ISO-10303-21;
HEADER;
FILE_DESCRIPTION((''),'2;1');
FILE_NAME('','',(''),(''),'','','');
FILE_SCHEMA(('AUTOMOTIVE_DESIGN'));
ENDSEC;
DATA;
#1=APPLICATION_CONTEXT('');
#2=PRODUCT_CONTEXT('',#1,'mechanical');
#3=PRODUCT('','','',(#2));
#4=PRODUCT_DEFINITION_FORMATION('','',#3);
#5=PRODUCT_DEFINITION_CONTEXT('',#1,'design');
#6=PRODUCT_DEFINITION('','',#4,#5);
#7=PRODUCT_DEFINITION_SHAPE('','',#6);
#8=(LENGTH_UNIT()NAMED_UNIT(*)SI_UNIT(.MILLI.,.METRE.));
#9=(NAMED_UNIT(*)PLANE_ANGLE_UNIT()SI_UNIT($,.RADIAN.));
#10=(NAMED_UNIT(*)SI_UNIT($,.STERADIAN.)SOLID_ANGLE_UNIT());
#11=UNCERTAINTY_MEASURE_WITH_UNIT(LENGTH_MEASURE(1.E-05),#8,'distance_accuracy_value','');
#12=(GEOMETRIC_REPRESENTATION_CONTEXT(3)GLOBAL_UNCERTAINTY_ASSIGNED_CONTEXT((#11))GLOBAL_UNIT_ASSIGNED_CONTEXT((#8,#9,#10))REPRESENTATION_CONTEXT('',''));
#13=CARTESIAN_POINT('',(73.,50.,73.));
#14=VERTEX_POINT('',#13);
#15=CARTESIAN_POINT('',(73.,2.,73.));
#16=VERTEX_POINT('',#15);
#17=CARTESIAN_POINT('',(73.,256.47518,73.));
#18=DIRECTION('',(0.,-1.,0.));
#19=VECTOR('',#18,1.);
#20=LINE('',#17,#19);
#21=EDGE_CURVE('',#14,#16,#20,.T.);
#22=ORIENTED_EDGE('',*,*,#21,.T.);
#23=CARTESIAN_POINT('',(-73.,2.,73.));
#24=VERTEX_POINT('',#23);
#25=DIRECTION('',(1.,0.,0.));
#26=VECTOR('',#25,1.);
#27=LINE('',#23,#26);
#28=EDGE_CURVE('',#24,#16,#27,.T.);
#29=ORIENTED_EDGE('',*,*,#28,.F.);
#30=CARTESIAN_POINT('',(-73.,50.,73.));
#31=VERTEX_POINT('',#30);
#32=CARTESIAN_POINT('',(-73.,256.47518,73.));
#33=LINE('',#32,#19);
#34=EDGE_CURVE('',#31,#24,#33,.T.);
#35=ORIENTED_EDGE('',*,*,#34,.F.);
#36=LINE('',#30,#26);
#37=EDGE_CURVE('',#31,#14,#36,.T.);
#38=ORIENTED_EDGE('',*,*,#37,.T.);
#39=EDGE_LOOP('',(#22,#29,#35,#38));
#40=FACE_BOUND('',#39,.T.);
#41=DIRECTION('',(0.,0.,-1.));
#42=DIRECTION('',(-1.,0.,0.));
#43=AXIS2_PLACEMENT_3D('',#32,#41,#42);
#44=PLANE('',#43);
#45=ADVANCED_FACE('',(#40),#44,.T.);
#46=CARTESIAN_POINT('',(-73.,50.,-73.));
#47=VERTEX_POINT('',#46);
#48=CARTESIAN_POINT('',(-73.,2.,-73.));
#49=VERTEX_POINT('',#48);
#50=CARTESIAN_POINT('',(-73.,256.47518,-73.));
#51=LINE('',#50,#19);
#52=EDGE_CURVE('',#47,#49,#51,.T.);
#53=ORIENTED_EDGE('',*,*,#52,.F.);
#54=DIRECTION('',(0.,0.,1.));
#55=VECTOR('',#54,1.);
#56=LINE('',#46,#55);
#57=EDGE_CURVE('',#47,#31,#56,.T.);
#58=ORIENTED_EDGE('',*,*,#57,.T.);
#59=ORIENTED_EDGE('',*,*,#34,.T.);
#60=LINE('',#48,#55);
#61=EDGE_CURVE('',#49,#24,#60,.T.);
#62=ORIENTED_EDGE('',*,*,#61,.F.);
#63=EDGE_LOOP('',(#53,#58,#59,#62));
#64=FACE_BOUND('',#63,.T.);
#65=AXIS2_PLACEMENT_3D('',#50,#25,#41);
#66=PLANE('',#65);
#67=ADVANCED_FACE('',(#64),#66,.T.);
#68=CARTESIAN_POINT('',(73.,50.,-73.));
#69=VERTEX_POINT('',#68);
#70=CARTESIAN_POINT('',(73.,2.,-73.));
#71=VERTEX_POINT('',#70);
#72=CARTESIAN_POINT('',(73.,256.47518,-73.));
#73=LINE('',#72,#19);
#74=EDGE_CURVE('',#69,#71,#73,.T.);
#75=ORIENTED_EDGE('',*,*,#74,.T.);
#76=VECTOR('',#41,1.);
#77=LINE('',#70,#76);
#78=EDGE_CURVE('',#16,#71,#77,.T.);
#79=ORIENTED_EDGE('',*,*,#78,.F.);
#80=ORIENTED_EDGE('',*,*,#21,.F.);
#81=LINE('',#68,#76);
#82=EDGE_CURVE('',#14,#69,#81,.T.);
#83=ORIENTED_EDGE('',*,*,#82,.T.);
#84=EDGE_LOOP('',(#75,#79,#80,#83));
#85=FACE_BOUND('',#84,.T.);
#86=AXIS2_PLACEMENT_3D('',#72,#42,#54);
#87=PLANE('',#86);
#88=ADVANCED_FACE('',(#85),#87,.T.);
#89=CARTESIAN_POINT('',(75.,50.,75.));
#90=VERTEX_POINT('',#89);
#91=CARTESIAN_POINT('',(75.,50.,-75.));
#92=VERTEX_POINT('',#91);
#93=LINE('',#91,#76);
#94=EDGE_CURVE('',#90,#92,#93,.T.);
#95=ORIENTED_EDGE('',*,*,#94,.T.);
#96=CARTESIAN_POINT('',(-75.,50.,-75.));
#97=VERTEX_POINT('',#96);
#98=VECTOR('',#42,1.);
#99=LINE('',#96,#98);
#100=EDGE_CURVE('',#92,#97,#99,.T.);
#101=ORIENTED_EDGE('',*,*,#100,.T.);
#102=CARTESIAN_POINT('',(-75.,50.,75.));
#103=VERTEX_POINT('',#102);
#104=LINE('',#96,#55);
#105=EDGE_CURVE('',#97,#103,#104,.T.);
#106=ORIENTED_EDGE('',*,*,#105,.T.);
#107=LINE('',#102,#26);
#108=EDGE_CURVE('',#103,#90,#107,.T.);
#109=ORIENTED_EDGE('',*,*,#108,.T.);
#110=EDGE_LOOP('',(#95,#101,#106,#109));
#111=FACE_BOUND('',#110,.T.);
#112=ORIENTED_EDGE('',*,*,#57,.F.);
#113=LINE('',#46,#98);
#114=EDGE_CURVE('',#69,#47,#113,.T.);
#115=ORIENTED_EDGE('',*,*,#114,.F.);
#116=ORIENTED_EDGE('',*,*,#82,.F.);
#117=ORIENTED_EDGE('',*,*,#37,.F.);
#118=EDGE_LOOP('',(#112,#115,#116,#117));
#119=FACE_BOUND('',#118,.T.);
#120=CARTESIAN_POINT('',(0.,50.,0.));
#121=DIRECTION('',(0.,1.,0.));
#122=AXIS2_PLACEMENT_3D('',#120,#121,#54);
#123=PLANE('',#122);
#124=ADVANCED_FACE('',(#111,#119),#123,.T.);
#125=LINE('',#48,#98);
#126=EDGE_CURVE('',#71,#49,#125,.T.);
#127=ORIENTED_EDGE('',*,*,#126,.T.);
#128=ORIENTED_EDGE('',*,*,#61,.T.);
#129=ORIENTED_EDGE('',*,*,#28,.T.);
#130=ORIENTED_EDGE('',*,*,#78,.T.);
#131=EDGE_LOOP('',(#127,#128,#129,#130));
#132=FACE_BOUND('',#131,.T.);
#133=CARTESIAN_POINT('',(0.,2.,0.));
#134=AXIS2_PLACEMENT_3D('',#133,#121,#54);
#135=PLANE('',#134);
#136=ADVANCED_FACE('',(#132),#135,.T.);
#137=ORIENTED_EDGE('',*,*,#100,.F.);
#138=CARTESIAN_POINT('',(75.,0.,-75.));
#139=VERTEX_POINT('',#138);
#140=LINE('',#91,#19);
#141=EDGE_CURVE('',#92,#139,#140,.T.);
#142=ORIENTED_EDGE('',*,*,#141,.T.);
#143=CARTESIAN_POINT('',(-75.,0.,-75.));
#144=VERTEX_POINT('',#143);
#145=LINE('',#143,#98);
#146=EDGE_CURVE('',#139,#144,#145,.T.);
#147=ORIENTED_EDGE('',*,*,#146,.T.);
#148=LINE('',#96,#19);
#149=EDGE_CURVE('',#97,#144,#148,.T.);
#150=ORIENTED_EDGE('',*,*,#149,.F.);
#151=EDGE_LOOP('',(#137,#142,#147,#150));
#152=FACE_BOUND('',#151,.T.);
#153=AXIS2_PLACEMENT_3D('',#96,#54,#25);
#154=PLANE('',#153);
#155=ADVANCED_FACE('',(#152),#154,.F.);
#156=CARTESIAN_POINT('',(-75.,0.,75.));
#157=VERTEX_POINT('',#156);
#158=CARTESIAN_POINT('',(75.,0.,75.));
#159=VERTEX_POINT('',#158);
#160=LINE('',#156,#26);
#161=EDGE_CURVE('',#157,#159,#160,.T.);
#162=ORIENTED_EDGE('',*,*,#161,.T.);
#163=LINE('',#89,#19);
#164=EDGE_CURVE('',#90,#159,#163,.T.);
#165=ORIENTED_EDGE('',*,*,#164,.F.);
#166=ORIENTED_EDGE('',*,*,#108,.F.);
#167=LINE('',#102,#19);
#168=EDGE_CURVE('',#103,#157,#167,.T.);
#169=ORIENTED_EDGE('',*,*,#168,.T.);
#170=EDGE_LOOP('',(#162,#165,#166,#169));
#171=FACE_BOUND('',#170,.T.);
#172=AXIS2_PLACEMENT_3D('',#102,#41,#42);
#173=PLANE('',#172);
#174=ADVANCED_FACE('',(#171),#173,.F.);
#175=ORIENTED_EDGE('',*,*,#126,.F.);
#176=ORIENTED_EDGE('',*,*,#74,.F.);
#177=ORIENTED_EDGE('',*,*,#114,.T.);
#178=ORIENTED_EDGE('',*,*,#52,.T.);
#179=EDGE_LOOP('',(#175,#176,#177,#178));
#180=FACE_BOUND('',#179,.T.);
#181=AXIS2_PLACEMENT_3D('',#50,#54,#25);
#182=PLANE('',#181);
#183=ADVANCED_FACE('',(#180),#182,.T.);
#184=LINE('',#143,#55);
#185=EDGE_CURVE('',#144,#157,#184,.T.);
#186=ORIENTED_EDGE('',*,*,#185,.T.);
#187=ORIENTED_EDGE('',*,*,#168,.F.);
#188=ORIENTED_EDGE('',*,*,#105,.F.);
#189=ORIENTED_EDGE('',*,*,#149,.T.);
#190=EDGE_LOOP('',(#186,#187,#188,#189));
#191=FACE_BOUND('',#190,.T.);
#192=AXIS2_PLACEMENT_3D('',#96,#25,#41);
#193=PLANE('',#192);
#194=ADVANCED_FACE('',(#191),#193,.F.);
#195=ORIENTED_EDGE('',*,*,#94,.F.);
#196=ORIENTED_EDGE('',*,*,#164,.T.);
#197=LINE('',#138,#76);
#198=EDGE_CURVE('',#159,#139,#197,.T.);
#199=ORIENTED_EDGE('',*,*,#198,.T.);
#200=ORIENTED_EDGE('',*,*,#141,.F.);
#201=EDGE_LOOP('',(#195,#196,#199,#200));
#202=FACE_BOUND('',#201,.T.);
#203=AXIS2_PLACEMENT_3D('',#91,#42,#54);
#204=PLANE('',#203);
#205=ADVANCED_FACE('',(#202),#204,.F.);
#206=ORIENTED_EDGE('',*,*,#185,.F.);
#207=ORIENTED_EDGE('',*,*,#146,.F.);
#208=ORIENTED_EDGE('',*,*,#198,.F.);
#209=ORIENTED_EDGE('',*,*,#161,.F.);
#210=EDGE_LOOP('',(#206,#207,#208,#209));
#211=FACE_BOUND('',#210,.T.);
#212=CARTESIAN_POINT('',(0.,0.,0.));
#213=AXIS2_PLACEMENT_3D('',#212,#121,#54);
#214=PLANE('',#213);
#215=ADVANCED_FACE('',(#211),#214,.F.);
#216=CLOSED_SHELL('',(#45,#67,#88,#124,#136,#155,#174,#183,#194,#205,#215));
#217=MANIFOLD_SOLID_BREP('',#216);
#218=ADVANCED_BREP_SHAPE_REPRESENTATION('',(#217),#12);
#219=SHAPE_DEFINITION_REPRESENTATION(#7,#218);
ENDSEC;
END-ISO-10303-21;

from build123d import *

# Parameters (mm, degrees)
SKETCH1_W           = 150
SKETCH1_H           = 150
BOSS_EXTRUDE1_DEPTH = 50
CUT_EXTRUDE1_START  = 2
SKETCH2_W           = 146
SKETCH2_H           = 146
CUT_EXTRUDE1_DEPTH  = 48


with BuildPart() as part:
    # Sketch1 → Boss-Extrude1 (new body)
    with BuildSketch(Plane(origin=(0, 0, 0), x_dir=(1, 0, 0), z_dir=(0, 1, 0))):
        Rectangle(SKETCH1_W, SKETCH1_H)
    extrude(amount=BOSS_EXTRUDE1_DEPTH)

    # Sketch2 → Cut-Extrude1 (cut)
    with BuildSketch(Plane(origin=(0, 0, 0), x_dir=(1, 0, 0), z_dir=(0, 1, 0)).offset(CUT_EXTRUDE1_START)):
        Rectangle(SKETCH2_W, SKETCH2_H)
    extrude(amount=CUT_EXTRUDE1_DEPTH, mode=Mode.SUBTRACT)


solid = part.part
